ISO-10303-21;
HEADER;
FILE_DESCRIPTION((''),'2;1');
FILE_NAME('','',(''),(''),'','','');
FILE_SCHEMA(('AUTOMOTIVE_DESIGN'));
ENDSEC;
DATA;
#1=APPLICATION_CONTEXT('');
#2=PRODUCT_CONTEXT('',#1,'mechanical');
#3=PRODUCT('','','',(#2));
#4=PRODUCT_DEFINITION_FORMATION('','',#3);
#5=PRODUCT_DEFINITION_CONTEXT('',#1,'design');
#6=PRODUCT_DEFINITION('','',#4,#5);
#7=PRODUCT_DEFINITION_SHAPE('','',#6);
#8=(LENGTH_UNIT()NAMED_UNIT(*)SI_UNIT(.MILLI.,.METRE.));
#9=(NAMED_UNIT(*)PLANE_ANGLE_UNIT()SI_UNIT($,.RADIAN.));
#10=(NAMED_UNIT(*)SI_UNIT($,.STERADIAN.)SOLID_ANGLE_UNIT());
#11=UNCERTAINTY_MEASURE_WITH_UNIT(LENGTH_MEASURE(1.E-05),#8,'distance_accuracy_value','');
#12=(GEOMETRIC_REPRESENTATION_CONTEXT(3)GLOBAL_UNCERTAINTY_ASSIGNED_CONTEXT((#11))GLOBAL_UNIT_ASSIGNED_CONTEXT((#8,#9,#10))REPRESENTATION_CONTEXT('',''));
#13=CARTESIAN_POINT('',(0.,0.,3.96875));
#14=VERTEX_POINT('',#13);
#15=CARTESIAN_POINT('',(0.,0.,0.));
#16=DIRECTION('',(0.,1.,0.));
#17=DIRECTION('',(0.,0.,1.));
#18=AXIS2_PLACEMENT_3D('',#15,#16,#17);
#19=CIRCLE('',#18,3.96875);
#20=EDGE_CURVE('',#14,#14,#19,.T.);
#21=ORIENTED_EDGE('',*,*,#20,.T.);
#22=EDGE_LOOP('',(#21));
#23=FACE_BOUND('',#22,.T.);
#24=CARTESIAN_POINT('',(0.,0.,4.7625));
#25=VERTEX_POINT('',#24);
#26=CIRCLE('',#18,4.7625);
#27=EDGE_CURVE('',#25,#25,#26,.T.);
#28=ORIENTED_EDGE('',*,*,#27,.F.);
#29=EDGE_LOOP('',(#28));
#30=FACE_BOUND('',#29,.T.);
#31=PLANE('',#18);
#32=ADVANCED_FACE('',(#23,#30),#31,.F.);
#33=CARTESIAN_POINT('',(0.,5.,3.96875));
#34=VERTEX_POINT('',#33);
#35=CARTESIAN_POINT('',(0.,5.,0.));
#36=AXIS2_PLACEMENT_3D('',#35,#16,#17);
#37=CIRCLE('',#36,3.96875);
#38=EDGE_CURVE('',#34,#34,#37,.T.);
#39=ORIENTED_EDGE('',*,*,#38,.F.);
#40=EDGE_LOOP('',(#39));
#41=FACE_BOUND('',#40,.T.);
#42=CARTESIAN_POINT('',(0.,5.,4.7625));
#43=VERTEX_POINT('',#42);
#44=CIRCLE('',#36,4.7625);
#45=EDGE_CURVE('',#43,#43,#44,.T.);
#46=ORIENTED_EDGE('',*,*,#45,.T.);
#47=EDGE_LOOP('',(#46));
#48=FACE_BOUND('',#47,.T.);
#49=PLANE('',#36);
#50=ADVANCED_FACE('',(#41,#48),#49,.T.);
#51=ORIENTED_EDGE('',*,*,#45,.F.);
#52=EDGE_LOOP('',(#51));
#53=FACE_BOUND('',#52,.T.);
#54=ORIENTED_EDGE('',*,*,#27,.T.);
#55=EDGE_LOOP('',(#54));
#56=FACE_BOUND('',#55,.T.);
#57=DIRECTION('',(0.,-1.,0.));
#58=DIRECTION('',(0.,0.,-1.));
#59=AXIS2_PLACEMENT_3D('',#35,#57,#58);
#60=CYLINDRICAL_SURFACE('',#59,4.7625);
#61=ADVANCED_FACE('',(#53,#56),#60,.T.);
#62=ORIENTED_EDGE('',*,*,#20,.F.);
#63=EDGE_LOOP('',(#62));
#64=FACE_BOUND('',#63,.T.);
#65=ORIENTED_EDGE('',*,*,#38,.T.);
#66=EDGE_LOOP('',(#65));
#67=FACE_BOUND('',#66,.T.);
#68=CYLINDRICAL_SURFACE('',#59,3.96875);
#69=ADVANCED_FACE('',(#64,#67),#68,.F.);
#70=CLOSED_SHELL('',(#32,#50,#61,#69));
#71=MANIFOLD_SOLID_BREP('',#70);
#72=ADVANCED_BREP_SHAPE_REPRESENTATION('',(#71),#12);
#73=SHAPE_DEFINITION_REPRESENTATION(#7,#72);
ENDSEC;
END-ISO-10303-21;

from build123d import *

# Parameters (mm, degrees)
SKETCH1_R           = 4.7625
SKETCH1_R_2         = 3.96875
BOSS_EXTRUDE1_DEPTH = 5


with BuildPart() as part:
    # Sketch1 → Boss-Extrude1 (new body)
    with BuildSketch(Plane(origin=(0, 0, 0), x_dir=(1, 0, 0), z_dir=(0, 1, 0))):
        with Locations(Location((0, 0, 0), (0, 0, 270))):
            Circle(SKETCH1_R)
        with Locations(Location((0, 0, 0), (0, 0, 270))):
            Circle(SKETCH1_R_2, mode=Mode.SUBTRACT)
    extrude(amount=BOSS_EXTRUDE1_DEPTH)


solid = part.part
